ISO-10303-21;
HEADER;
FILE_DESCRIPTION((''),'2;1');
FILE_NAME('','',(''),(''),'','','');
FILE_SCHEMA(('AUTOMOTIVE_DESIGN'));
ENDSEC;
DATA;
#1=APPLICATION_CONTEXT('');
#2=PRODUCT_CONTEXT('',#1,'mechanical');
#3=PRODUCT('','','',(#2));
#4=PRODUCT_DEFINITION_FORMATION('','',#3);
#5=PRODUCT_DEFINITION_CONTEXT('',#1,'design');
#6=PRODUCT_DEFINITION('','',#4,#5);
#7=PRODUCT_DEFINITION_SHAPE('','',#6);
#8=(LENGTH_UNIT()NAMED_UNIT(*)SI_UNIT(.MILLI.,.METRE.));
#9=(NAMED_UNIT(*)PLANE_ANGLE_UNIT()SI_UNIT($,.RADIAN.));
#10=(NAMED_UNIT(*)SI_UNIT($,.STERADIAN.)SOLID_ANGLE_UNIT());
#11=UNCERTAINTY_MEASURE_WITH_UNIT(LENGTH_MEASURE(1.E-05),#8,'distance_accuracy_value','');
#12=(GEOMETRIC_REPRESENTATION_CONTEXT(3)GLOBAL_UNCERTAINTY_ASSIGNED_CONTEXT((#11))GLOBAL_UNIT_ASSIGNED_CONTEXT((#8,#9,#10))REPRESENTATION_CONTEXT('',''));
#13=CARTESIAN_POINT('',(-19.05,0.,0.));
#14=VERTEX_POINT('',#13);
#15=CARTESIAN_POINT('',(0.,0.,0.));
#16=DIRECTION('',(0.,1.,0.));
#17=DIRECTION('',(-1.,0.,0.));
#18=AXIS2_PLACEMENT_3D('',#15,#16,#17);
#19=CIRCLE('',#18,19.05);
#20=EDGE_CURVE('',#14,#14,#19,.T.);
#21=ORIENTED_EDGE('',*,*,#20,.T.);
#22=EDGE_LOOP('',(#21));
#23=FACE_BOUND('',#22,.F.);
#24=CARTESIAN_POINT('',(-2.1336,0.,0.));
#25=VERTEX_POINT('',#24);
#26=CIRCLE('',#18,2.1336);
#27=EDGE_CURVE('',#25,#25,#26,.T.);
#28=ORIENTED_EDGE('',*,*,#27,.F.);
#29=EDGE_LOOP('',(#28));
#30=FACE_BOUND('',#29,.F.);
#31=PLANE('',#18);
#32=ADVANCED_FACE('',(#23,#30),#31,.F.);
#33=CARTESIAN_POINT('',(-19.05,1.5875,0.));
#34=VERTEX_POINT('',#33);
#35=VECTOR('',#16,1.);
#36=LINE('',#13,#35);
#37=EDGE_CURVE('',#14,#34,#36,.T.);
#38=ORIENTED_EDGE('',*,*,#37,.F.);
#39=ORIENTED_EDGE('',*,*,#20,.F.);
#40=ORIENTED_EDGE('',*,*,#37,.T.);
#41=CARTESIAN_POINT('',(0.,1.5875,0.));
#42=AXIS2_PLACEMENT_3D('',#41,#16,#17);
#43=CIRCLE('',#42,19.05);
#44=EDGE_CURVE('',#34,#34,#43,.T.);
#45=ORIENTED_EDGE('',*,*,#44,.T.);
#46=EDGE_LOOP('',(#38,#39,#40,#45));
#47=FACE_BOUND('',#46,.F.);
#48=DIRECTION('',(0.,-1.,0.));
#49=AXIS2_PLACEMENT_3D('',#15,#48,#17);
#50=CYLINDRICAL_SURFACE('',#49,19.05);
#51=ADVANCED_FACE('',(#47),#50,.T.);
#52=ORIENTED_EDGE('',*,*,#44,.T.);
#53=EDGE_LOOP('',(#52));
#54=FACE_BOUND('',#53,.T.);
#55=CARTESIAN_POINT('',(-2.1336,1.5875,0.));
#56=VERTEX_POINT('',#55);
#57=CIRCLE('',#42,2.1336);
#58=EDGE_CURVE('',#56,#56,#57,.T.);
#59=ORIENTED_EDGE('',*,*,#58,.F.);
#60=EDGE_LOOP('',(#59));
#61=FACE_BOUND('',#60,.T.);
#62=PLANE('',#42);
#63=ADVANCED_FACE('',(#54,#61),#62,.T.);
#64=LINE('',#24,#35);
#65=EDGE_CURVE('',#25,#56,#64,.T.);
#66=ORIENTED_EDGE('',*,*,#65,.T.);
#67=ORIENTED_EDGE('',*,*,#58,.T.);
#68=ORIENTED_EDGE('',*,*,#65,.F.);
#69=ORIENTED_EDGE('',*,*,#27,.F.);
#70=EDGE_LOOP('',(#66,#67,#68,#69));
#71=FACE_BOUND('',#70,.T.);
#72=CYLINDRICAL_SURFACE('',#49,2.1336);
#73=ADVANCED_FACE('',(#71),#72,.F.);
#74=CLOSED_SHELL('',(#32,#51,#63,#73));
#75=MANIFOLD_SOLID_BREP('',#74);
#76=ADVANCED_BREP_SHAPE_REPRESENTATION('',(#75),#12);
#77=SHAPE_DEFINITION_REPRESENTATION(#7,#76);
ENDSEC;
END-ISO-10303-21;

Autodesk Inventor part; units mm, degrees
ref_plane "YZ Plane" through (0, 0, 0) normal (1, 0, 0) x (0, 1, 0)
ref_plane "XZ Plane" through (0, 0, 0) normal (0, 1, 0) x (-1, 0, 0)
ref_plane "XY Plane" through (0, 0, 0) normal (0, 0, 1) x (1, 0, 0)
sketch "Sketch1" plane through (0, 0, 0) normal (0, 1, 0) x (-1, 0, 0)
  circle A0 centre (0, 0) radius 19.05
  circle A1 centre (0, 0) radius 2.1336
  dimension "d0" = 38.1
  dimension "d3" = 4.2672
extrude "Extrusion1" add sketch "Sketch1" along normal blind 1.5875
properties part number "pto" material "Polycarbonate, Clear"
